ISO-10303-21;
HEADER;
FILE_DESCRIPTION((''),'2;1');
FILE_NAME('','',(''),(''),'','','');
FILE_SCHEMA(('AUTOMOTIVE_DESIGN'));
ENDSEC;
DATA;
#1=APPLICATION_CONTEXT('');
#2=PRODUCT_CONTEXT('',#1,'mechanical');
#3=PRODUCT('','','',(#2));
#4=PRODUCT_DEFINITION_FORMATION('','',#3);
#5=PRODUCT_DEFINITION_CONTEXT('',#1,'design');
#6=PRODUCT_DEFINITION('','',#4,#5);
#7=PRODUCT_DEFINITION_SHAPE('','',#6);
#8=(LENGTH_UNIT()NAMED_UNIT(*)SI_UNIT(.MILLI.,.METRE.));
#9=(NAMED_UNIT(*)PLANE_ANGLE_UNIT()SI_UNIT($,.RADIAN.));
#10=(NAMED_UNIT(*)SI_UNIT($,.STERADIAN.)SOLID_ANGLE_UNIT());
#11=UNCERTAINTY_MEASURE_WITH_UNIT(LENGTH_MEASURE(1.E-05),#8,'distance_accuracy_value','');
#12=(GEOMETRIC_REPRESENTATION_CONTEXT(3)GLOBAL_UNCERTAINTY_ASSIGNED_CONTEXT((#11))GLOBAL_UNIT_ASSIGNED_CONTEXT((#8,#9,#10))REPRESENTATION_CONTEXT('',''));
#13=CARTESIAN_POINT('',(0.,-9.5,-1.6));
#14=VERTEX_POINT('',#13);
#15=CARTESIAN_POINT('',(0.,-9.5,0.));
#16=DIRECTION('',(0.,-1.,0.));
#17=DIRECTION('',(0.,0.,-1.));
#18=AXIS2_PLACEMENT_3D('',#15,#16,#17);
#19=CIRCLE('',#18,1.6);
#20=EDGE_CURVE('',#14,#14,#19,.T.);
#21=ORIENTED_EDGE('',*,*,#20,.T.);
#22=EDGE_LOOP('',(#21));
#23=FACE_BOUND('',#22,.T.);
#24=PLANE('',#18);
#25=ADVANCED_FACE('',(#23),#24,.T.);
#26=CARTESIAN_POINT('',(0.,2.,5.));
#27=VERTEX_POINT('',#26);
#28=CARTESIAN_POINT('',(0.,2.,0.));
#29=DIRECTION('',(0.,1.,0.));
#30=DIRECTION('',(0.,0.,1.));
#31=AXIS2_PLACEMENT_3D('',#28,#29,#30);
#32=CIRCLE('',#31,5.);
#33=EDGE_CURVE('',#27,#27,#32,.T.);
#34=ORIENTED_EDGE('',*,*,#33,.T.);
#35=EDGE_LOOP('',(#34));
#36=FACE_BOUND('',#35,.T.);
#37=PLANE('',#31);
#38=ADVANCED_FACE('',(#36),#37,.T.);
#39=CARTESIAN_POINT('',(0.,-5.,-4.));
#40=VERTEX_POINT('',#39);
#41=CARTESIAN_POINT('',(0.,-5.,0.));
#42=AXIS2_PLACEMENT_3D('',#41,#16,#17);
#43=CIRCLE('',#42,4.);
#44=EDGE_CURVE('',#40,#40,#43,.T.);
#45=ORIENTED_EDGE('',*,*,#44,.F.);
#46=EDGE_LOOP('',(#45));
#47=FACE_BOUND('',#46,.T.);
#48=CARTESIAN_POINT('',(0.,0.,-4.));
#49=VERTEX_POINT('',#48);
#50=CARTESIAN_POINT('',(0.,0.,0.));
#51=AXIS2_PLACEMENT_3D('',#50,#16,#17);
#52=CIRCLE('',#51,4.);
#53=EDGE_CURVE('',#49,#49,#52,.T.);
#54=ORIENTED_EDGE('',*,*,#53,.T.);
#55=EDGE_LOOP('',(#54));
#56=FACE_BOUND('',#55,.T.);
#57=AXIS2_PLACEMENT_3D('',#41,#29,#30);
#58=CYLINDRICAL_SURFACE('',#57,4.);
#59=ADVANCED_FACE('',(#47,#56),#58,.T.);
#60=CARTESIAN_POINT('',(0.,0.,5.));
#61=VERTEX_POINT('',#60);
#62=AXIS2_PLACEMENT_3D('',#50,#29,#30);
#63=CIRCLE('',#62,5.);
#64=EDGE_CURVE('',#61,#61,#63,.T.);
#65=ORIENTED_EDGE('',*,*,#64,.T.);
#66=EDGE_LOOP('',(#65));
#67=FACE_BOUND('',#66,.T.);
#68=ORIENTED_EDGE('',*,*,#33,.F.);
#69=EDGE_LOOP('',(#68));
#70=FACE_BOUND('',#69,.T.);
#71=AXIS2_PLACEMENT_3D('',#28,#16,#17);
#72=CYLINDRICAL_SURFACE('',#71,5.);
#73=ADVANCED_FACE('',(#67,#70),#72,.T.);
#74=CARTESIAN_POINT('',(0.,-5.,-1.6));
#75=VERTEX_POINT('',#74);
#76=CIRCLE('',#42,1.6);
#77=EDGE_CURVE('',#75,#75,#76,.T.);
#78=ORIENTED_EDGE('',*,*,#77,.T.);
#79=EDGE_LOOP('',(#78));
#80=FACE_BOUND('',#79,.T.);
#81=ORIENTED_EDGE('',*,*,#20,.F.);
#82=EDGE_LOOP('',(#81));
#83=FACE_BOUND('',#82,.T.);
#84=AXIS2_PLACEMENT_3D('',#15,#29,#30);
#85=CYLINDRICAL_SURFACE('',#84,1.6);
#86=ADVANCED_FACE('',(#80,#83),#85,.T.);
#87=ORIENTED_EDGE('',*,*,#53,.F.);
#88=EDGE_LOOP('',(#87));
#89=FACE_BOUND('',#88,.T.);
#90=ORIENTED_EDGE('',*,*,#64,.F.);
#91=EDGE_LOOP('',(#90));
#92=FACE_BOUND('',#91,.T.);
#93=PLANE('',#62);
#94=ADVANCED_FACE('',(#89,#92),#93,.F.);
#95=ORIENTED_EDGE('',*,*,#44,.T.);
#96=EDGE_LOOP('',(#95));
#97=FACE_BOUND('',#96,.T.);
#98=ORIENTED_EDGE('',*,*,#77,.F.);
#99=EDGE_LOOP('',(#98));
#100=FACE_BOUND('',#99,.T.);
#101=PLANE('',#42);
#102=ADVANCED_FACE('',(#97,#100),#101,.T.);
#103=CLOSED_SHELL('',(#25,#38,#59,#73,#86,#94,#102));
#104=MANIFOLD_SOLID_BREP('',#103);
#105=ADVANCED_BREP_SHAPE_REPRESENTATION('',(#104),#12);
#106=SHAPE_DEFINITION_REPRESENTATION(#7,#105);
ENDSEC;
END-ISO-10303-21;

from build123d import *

# Parameters (mm, degrees)
SKETCH1_R           = 5
BOSS_EXTRUDE1_DEPTH = 2
SKETCH6_R           = 4
BOSS_EXTRUDE4_DEPTH = 5
SKETCH4_R           = 1.6
BOSS_EXTRUDE5_DEPTH = 4.5


with BuildPart() as part:
    # Sketch1 → Boss-Extrude1 (new body)
    with BuildSketch(Plane(origin=(0, 0, 0), x_dir=(1, 0, 0), z_dir=(0, 1, 0))):
        Circle(SKETCH1_R)
    extrude(amount=BOSS_EXTRUDE1_DEPTH)

    # Sketch6 → Boss-Extrude4 (add)
    with BuildSketch(Plane(origin=(0, 0, 0), x_dir=(-1, 0, 0), z_dir=(0, -1, 0))):
        Circle(SKETCH6_R)
    extrude(amount=BOSS_EXTRUDE4_DEPTH)

    # Sketch4 → Boss-Extrude5 (add)
    with BuildSketch(Plane(origin=(0, -5, 0), x_dir=(-1, 0, 0), z_dir=(0, -1, 0))):
        Circle(SKETCH4_R)
    extrude(amount=BOSS_EXTRUDE5_DEPTH)


solid = part.part
